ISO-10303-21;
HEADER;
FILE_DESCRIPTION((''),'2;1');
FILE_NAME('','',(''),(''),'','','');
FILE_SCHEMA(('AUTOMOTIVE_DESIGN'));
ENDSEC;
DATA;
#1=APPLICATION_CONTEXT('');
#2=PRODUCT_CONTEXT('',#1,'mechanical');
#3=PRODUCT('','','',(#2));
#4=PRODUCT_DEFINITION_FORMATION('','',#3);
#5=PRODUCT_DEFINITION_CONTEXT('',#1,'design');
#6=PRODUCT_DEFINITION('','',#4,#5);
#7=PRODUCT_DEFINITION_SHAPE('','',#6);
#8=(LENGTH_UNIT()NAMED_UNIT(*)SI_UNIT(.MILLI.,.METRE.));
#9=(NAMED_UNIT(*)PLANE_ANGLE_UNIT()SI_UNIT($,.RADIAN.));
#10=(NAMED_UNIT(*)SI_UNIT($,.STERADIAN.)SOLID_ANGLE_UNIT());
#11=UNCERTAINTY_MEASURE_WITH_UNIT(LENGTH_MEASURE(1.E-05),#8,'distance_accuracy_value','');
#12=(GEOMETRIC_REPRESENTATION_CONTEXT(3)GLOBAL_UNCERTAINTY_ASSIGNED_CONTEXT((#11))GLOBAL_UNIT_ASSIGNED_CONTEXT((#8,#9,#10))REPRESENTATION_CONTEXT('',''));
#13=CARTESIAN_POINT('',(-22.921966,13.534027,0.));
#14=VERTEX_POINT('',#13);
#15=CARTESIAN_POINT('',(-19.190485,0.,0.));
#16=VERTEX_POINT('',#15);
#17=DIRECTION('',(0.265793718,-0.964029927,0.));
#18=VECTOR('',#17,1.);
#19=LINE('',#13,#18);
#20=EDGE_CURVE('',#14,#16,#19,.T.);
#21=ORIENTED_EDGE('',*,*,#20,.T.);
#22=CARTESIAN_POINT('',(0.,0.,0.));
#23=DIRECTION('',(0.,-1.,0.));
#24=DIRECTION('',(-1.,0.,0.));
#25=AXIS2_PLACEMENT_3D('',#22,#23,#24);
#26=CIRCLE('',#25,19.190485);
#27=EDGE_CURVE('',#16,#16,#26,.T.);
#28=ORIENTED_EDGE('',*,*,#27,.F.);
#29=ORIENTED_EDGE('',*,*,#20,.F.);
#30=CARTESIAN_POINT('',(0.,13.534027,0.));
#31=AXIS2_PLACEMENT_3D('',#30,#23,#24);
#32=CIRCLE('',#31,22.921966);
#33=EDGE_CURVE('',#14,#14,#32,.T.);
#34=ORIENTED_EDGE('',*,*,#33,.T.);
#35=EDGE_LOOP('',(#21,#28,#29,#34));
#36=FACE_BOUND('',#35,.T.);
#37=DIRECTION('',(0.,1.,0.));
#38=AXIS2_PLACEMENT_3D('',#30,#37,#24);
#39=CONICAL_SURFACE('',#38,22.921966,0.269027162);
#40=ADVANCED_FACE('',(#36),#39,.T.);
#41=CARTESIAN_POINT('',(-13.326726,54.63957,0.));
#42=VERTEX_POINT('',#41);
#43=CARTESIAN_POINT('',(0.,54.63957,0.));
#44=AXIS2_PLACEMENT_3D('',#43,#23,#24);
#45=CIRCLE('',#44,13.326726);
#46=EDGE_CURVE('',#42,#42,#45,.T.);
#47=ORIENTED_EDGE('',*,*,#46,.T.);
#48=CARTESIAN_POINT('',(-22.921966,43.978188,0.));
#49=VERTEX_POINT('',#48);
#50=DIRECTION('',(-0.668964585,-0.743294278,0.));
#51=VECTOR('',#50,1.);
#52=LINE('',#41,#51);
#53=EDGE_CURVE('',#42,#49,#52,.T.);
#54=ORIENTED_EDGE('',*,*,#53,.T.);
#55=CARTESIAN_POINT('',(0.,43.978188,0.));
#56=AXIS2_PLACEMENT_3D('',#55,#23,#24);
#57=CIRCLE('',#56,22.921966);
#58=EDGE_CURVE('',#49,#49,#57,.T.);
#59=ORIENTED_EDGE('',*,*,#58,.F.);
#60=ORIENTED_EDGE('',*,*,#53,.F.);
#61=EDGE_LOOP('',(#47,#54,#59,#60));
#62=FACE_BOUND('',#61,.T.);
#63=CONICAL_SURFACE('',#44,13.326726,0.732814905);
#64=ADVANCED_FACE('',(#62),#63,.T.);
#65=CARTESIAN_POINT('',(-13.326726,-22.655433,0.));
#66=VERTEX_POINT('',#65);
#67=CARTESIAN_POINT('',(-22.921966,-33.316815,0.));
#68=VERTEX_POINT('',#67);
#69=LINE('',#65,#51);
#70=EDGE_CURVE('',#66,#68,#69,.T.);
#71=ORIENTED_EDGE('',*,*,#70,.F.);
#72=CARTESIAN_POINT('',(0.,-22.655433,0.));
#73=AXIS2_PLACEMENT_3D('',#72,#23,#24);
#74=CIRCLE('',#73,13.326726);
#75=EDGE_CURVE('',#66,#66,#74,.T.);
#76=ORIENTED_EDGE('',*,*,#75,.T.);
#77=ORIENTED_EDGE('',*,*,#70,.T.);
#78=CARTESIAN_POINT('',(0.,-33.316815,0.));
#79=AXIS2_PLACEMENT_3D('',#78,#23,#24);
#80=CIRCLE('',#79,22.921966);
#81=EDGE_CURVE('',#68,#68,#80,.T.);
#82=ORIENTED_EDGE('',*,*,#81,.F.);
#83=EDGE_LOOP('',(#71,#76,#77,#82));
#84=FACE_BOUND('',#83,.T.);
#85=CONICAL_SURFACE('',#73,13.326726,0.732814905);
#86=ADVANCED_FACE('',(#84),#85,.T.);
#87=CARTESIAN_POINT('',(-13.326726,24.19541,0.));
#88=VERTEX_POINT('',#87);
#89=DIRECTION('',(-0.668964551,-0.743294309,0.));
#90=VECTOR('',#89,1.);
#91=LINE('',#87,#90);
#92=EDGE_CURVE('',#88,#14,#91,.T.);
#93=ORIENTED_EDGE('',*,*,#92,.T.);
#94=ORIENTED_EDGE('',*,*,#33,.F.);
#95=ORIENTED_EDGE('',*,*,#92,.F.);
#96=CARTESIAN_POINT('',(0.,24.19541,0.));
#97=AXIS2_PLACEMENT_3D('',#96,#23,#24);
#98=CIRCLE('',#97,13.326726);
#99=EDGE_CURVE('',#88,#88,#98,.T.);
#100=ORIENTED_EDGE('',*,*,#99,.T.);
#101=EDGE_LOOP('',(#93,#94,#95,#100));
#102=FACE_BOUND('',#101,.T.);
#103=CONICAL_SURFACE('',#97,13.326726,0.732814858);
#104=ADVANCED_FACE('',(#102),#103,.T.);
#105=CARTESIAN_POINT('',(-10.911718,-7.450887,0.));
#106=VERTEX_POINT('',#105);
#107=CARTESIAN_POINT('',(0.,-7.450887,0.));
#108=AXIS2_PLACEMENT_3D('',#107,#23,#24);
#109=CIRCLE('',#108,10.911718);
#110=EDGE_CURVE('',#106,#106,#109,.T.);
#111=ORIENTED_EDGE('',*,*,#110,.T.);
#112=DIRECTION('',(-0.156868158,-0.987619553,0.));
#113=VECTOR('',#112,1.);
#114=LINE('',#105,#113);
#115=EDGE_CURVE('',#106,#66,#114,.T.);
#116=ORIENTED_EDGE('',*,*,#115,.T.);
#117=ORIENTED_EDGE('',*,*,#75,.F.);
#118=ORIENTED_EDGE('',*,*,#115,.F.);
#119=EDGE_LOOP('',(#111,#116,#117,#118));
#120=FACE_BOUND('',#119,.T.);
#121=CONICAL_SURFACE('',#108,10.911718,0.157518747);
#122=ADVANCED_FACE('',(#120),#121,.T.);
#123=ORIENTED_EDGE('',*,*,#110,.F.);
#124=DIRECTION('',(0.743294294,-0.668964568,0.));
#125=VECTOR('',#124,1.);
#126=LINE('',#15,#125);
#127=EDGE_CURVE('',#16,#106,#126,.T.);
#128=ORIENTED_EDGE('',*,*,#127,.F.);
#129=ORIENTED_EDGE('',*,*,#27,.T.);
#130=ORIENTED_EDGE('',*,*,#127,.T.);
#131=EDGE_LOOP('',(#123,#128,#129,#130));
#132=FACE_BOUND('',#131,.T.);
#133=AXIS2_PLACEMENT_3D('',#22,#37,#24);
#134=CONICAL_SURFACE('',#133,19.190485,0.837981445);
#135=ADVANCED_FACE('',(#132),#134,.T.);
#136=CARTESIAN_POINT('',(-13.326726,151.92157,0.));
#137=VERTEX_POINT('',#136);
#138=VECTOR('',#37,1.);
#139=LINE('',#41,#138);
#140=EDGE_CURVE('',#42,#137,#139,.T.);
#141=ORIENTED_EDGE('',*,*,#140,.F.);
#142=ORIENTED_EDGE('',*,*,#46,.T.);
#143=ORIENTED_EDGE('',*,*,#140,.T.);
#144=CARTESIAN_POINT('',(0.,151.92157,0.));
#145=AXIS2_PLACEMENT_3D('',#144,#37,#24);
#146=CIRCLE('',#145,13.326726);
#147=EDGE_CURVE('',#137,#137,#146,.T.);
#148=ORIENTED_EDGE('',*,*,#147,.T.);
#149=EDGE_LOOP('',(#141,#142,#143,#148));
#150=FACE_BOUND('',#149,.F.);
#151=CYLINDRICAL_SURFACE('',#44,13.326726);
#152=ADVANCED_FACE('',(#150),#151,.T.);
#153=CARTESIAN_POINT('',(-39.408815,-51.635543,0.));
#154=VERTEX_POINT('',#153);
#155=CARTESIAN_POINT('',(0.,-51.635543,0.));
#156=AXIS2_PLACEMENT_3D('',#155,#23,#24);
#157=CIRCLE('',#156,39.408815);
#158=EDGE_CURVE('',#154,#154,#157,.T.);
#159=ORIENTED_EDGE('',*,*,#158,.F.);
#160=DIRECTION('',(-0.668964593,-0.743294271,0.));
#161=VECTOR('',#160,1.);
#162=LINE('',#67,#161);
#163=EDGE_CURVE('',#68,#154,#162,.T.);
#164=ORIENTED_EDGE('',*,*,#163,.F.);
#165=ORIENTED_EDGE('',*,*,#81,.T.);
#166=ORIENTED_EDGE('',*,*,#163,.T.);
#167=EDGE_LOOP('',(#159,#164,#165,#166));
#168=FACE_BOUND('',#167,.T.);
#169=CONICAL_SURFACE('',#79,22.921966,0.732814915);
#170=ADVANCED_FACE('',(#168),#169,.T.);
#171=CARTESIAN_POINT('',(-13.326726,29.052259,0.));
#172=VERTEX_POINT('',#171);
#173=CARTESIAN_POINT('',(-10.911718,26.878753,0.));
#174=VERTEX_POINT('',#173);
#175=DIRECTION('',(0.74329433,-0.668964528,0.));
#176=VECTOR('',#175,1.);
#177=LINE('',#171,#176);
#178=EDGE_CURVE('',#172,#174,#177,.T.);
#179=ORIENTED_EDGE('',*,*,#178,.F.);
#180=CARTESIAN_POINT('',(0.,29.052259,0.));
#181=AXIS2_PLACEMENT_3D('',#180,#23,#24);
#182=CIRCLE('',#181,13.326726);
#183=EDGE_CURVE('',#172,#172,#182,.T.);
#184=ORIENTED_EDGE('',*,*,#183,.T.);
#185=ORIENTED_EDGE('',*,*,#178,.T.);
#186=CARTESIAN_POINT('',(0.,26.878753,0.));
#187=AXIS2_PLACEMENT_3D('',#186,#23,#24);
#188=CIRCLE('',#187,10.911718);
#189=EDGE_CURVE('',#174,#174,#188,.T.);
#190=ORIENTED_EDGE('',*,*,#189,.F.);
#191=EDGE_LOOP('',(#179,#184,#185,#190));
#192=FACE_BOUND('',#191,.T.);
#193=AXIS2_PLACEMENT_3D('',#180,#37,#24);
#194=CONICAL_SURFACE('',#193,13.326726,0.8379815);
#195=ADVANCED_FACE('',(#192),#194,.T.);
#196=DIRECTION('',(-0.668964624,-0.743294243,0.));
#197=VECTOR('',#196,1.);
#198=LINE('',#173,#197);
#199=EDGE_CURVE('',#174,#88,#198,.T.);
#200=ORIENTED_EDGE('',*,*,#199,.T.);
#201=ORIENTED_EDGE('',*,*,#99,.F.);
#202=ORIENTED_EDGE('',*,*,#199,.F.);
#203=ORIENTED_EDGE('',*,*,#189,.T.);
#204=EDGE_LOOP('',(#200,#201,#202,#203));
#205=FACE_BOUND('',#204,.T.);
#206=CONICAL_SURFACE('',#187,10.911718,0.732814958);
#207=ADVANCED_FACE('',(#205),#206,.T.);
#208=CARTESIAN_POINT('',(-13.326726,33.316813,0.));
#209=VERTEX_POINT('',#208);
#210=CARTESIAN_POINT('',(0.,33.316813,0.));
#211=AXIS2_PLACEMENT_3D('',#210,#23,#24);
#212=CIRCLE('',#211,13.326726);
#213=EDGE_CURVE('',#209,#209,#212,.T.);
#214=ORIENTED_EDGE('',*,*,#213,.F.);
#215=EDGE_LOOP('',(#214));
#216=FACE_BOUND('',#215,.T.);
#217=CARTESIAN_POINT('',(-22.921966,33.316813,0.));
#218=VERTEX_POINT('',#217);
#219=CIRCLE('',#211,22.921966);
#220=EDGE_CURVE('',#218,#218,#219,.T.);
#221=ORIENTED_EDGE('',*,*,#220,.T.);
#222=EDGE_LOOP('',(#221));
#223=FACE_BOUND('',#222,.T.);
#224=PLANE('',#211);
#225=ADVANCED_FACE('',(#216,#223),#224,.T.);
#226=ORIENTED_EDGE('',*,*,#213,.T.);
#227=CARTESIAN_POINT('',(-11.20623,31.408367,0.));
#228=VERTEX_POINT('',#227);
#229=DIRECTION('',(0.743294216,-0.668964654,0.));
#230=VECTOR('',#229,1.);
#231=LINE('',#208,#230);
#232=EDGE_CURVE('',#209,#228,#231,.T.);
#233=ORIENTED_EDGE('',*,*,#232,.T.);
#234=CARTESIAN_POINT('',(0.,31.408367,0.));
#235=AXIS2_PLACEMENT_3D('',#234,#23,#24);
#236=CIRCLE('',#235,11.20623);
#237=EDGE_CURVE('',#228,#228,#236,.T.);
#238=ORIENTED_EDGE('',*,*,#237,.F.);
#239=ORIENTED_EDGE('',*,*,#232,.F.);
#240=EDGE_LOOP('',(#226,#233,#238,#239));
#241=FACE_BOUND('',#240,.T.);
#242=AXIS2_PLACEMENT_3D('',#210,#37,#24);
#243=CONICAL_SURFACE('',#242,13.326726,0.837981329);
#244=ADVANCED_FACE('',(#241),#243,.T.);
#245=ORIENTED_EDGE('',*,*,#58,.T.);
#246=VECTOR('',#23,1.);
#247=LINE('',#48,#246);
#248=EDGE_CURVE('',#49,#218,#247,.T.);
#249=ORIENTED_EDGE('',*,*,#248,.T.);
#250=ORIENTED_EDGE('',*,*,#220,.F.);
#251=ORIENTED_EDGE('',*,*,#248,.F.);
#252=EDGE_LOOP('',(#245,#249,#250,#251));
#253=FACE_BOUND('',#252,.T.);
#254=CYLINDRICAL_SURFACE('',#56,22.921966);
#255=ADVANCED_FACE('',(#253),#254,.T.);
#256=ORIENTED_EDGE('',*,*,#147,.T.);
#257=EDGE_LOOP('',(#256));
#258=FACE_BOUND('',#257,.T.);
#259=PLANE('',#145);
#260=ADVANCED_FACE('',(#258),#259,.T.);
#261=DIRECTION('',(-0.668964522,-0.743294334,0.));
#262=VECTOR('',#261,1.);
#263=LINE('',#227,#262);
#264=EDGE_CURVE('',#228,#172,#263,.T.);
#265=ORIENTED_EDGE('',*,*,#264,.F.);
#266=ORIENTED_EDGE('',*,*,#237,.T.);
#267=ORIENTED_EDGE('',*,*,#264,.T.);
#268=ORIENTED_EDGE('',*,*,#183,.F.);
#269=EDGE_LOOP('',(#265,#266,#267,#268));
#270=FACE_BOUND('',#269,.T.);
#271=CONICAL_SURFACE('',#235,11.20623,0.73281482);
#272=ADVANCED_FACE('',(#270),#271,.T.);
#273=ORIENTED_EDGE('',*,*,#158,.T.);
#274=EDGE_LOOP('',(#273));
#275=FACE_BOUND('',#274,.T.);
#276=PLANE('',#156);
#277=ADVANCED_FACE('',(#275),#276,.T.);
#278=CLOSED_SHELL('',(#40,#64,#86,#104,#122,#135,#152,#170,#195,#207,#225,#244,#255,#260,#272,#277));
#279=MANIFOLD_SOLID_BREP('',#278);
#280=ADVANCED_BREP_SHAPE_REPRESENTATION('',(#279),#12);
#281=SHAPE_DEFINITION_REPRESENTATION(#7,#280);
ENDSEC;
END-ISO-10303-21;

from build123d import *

# Parameters (mm, degrees)
F1_FACE_R = 13.326726
F2_DEPTH  = 97.282


with BuildPart() as f1:
    # F0 (on Top) → F1 (revolve)
    with BuildSketch(Plane.XY):
        Polygon((0, -51.635543), (0, 54.63957), (-13.326726, 54.63957), (-22.921966, 43.978188), (-22.921966, 33.316813), (-13.326726, 33.316813), (-11.20623, 31.408367), (-13.326726, 29.052259), (-10.911718, 26.878753), (-13.326726, 24.19541), (-22.921966, 13.534027), (-19.190485, 0), (-10.911718, -7.450887), (-13.326726, -22.655433), (-22.921966, -33.316815), (-39.408815, -51.635543), align=None)
    revolve(axis=Axis((0, 1.502014, 0), (0, -1, 0)))

    # F1_face (on face) → F2 (join)
    with BuildSketch(Plane(origin=(0, 54.63957, 0), x_dir=(-1, 0, 0), z_dir=(0, 1, 0))):
        Circle(F1_FACE_R)
    extrude(amount=F2_DEPTH)


solid = f1.part
